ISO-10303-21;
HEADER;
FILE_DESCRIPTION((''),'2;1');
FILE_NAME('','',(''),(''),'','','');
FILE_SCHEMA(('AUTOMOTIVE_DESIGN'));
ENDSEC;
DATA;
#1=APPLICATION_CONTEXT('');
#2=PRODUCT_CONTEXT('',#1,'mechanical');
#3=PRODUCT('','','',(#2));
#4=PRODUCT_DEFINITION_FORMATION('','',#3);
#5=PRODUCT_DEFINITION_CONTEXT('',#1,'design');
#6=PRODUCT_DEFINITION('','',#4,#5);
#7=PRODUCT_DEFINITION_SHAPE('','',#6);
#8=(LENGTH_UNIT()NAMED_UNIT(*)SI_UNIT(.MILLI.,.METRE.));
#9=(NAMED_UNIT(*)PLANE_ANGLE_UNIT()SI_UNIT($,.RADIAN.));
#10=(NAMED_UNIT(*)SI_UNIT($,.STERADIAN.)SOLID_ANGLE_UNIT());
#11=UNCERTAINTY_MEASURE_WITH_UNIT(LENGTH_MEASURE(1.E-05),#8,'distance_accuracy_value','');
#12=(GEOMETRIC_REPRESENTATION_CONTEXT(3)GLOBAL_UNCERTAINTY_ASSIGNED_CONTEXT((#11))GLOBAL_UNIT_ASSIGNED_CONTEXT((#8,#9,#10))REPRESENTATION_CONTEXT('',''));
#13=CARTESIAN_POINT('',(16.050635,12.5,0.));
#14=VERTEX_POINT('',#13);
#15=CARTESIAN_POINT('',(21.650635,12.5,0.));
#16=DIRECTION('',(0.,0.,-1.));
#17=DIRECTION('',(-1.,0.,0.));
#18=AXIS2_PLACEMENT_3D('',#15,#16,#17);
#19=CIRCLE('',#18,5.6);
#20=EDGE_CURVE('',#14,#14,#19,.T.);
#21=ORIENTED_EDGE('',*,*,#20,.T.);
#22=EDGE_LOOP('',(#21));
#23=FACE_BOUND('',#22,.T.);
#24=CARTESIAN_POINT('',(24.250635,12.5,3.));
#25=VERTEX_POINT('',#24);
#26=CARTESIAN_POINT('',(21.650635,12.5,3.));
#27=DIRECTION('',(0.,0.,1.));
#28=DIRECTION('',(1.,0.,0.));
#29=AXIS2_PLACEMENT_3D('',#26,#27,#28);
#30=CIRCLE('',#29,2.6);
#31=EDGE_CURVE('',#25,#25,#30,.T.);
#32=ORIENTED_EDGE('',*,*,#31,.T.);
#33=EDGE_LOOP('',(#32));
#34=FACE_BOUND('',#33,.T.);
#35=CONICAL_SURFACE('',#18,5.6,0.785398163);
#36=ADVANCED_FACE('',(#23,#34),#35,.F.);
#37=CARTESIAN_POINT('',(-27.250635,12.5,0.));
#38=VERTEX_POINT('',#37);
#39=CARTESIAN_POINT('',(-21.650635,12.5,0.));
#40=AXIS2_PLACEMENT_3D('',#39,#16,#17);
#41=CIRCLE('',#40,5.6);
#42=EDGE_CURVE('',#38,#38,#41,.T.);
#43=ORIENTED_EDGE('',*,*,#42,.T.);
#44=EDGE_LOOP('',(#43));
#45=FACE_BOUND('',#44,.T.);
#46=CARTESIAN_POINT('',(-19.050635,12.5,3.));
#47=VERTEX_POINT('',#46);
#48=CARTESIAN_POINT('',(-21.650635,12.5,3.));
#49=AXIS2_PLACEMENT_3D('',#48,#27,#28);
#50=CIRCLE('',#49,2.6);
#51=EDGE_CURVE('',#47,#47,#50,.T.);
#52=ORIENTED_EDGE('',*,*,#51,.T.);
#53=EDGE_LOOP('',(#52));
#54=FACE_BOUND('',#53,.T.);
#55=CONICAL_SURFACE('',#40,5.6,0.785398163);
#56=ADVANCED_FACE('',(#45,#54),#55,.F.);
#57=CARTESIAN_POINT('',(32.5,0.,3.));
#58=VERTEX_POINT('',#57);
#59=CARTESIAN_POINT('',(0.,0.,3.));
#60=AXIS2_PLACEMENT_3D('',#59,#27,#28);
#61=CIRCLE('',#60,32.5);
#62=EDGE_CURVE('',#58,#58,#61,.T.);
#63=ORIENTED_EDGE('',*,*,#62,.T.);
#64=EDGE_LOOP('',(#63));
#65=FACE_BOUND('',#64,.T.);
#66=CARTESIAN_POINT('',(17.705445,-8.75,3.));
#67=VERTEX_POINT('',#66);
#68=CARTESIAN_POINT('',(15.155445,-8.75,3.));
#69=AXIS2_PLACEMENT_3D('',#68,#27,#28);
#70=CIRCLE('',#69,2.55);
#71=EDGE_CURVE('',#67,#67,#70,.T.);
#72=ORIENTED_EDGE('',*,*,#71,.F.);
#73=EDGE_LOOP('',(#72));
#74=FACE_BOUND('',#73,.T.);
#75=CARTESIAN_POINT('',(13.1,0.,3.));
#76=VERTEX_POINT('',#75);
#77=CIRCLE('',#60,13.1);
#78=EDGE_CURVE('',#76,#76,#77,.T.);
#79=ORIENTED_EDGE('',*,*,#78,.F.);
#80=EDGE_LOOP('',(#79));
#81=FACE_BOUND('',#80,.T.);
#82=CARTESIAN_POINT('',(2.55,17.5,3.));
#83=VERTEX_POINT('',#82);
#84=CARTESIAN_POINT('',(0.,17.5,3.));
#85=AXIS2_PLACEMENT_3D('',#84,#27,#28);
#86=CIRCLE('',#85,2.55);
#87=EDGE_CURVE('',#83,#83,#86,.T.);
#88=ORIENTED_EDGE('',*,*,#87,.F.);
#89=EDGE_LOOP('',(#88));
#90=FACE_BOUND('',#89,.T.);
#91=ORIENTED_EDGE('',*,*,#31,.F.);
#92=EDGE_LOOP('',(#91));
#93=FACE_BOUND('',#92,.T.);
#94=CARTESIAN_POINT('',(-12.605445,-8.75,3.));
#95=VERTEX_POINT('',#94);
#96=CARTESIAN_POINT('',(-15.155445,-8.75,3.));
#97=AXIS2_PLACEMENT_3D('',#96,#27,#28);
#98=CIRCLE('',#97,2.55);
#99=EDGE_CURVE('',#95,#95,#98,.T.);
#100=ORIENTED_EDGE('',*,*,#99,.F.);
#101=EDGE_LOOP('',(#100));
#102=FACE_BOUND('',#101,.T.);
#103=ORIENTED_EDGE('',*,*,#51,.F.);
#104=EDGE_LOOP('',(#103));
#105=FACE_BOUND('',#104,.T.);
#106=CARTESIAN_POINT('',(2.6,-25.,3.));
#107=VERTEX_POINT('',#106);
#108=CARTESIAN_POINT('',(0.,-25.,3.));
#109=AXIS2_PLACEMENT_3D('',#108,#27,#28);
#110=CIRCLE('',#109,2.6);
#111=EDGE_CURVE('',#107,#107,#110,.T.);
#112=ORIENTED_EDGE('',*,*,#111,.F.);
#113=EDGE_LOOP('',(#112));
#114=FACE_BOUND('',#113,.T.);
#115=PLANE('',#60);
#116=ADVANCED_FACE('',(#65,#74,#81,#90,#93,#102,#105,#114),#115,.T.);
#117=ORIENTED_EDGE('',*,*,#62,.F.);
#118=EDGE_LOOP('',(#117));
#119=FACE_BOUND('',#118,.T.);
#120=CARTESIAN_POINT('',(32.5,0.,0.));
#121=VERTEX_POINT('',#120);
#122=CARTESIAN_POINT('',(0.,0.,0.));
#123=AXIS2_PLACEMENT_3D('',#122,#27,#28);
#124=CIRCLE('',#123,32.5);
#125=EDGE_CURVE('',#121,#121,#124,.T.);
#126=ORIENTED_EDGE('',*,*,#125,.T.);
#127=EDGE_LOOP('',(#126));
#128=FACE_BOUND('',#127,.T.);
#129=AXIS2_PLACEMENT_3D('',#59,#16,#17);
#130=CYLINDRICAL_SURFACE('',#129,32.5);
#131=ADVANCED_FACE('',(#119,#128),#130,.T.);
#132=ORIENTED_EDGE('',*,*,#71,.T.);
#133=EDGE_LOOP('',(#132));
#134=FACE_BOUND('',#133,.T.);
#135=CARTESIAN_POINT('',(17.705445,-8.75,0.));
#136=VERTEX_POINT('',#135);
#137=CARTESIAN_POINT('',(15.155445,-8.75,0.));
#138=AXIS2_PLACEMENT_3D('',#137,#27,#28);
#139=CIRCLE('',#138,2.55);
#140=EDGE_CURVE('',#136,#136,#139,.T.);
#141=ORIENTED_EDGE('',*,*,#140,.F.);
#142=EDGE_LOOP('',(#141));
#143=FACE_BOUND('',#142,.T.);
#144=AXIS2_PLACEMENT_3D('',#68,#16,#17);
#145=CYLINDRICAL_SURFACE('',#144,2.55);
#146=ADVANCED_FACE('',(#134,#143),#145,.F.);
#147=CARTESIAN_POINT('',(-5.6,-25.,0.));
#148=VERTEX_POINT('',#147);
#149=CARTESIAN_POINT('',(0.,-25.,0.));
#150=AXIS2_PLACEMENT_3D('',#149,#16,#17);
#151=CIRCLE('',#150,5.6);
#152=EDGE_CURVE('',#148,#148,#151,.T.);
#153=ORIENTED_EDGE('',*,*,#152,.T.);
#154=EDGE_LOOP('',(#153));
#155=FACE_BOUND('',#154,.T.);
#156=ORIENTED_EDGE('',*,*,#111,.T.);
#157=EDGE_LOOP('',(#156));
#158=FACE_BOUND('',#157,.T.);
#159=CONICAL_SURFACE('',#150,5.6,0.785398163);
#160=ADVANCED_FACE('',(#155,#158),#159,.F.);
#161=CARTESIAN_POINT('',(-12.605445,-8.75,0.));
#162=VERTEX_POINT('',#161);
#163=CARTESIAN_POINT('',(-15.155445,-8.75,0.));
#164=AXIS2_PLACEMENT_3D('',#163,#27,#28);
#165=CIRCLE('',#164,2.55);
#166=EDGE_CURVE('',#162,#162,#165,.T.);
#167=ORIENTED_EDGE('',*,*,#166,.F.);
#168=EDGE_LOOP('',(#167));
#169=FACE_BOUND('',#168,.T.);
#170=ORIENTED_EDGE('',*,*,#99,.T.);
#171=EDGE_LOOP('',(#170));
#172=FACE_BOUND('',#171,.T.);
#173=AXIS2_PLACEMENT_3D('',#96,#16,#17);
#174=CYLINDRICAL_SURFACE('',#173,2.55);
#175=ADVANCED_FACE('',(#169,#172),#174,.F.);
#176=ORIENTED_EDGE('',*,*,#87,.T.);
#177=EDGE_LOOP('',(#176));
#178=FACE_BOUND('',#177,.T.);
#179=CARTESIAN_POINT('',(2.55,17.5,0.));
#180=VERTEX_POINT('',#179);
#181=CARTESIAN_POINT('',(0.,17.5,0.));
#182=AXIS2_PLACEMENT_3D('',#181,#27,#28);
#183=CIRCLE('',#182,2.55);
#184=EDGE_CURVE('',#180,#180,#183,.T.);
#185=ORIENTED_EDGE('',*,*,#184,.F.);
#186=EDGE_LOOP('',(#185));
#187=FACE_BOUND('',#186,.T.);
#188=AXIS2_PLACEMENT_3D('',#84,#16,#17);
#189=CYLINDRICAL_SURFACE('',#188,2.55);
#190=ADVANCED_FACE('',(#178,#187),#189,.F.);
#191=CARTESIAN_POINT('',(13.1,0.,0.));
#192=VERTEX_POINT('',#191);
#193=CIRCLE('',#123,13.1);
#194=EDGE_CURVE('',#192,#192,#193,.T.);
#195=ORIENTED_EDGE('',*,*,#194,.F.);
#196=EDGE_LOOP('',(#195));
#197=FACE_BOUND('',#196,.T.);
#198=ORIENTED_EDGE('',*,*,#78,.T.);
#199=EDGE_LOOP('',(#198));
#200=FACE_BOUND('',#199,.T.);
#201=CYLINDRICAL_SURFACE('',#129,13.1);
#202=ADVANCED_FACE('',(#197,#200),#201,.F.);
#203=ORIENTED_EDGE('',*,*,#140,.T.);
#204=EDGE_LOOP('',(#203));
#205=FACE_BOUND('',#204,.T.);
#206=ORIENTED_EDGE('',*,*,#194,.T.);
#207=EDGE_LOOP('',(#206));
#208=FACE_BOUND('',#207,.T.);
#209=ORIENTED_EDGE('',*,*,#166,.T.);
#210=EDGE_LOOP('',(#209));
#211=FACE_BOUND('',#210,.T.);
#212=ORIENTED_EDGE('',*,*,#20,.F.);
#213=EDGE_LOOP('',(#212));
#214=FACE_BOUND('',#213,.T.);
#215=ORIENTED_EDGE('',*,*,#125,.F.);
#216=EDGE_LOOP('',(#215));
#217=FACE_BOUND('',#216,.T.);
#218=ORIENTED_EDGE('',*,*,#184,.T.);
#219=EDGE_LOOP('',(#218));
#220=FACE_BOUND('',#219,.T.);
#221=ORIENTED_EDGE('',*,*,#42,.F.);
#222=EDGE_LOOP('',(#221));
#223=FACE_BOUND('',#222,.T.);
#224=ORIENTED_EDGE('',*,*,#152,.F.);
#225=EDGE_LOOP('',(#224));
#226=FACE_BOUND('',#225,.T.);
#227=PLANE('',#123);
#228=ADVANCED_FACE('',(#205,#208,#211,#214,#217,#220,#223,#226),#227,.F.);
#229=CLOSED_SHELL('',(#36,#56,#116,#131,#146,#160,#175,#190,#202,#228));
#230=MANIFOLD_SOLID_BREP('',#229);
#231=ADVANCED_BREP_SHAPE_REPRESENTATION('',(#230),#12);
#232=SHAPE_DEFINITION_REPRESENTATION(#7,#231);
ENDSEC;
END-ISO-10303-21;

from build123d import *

# Parameters (mm, degrees)
SKETCH_1_R               = 32.5
SKETCH_1_R_2             = 2.55
SKETCH_1_R_3             = 13.1
EXTRUDE_1_DEPTH          = 3
HOLE_WIZARD_1_AT_2_COUNT = 2
HOLE_WIZARD_1_AT_2_PITCH = 43.301270189
HOLE_WIZARD_1_AT_3_COUNT = 2
HOLE_WIZARD_1_AT_3_PITCH = 43.301270189


with BuildPart() as part:
    # 草图1 → 凸台-拉伸1 (new body)
    with BuildSketch(Plane.XY):
        Circle(SKETCH_1_R)
        with Locations((0, 17.5)):
            Circle(SKETCH_1_R_2, mode=Mode.SUBTRACT)
        with Locations((15.155444566, -8.75)):
            Circle(SKETCH_1_R_2, mode=Mode.SUBTRACT)
        with Locations((-15.155444566, -8.75)):
            Circle(SKETCH_1_R_2, mode=Mode.SUBTRACT)
        with Locations((21.650635095, 12.5)):
            Circle(SKETCH_1_R_2, mode=Mode.SUBTRACT)
        with Locations((0, -25)):
            Circle(SKETCH_1_R_2, mode=Mode.SUBTRACT)
        with Locations((-21.650635095, 12.5)):
            Circle(SKETCH_1_R_2, mode=Mode.SUBTRACT)
        Circle(SKETCH_1_R_3, mode=Mode.SUBTRACT)
    extrude(amount=EXTRUDE_1_DEPTH)

    # 草图3 → 打孔尺寸(%根据十字)槽沉头木螺钉的类型1 (revolve, cut)
    with BuildSketch(Plane(origin=(21.650635095, 12.5, 0), x_dir=(0, 1, 0), z_dir=(1, 0, 0))):
        Polygon((0, 0), (0, 3), (2.5, 3), (2.5, 3.1), (5.6, 0), align=None)
    hole_wizard_1 = revolve(axis=Axis((21.650635095, 12.5, -6.35), (0, 0, 1)), mode=Mode.SUBTRACT)

    # 打孔尺寸(%根据十字)槽沉头木螺钉的类型1 at 2: 打孔尺寸(%根据十字)槽沉头木螺钉的类型1 ×2
    with Locations(*[(-i * HOLE_WIZARD_1_AT_2_PITCH, 0, 0) for i in range(1, HOLE_WIZARD_1_AT_2_COUNT)]):
        add(hole_wizard_1, mode=Mode.SUBTRACT)

    # 打孔尺寸(%根据十字)槽沉头木螺钉的类型1 at 3: 打孔尺寸(%根据十字)槽沉头木螺钉的类型1 ×2
    with Locations(*[Vector(-0.5000000000000018, -0.8660254037844376, 0) * (i * HOLE_WIZARD_1_AT_3_PITCH) for i in range(1, HOLE_WIZARD_1_AT_3_COUNT)]):
        add(hole_wizard_1, mode=Mode.SUBTRACT)


solid = part.part
